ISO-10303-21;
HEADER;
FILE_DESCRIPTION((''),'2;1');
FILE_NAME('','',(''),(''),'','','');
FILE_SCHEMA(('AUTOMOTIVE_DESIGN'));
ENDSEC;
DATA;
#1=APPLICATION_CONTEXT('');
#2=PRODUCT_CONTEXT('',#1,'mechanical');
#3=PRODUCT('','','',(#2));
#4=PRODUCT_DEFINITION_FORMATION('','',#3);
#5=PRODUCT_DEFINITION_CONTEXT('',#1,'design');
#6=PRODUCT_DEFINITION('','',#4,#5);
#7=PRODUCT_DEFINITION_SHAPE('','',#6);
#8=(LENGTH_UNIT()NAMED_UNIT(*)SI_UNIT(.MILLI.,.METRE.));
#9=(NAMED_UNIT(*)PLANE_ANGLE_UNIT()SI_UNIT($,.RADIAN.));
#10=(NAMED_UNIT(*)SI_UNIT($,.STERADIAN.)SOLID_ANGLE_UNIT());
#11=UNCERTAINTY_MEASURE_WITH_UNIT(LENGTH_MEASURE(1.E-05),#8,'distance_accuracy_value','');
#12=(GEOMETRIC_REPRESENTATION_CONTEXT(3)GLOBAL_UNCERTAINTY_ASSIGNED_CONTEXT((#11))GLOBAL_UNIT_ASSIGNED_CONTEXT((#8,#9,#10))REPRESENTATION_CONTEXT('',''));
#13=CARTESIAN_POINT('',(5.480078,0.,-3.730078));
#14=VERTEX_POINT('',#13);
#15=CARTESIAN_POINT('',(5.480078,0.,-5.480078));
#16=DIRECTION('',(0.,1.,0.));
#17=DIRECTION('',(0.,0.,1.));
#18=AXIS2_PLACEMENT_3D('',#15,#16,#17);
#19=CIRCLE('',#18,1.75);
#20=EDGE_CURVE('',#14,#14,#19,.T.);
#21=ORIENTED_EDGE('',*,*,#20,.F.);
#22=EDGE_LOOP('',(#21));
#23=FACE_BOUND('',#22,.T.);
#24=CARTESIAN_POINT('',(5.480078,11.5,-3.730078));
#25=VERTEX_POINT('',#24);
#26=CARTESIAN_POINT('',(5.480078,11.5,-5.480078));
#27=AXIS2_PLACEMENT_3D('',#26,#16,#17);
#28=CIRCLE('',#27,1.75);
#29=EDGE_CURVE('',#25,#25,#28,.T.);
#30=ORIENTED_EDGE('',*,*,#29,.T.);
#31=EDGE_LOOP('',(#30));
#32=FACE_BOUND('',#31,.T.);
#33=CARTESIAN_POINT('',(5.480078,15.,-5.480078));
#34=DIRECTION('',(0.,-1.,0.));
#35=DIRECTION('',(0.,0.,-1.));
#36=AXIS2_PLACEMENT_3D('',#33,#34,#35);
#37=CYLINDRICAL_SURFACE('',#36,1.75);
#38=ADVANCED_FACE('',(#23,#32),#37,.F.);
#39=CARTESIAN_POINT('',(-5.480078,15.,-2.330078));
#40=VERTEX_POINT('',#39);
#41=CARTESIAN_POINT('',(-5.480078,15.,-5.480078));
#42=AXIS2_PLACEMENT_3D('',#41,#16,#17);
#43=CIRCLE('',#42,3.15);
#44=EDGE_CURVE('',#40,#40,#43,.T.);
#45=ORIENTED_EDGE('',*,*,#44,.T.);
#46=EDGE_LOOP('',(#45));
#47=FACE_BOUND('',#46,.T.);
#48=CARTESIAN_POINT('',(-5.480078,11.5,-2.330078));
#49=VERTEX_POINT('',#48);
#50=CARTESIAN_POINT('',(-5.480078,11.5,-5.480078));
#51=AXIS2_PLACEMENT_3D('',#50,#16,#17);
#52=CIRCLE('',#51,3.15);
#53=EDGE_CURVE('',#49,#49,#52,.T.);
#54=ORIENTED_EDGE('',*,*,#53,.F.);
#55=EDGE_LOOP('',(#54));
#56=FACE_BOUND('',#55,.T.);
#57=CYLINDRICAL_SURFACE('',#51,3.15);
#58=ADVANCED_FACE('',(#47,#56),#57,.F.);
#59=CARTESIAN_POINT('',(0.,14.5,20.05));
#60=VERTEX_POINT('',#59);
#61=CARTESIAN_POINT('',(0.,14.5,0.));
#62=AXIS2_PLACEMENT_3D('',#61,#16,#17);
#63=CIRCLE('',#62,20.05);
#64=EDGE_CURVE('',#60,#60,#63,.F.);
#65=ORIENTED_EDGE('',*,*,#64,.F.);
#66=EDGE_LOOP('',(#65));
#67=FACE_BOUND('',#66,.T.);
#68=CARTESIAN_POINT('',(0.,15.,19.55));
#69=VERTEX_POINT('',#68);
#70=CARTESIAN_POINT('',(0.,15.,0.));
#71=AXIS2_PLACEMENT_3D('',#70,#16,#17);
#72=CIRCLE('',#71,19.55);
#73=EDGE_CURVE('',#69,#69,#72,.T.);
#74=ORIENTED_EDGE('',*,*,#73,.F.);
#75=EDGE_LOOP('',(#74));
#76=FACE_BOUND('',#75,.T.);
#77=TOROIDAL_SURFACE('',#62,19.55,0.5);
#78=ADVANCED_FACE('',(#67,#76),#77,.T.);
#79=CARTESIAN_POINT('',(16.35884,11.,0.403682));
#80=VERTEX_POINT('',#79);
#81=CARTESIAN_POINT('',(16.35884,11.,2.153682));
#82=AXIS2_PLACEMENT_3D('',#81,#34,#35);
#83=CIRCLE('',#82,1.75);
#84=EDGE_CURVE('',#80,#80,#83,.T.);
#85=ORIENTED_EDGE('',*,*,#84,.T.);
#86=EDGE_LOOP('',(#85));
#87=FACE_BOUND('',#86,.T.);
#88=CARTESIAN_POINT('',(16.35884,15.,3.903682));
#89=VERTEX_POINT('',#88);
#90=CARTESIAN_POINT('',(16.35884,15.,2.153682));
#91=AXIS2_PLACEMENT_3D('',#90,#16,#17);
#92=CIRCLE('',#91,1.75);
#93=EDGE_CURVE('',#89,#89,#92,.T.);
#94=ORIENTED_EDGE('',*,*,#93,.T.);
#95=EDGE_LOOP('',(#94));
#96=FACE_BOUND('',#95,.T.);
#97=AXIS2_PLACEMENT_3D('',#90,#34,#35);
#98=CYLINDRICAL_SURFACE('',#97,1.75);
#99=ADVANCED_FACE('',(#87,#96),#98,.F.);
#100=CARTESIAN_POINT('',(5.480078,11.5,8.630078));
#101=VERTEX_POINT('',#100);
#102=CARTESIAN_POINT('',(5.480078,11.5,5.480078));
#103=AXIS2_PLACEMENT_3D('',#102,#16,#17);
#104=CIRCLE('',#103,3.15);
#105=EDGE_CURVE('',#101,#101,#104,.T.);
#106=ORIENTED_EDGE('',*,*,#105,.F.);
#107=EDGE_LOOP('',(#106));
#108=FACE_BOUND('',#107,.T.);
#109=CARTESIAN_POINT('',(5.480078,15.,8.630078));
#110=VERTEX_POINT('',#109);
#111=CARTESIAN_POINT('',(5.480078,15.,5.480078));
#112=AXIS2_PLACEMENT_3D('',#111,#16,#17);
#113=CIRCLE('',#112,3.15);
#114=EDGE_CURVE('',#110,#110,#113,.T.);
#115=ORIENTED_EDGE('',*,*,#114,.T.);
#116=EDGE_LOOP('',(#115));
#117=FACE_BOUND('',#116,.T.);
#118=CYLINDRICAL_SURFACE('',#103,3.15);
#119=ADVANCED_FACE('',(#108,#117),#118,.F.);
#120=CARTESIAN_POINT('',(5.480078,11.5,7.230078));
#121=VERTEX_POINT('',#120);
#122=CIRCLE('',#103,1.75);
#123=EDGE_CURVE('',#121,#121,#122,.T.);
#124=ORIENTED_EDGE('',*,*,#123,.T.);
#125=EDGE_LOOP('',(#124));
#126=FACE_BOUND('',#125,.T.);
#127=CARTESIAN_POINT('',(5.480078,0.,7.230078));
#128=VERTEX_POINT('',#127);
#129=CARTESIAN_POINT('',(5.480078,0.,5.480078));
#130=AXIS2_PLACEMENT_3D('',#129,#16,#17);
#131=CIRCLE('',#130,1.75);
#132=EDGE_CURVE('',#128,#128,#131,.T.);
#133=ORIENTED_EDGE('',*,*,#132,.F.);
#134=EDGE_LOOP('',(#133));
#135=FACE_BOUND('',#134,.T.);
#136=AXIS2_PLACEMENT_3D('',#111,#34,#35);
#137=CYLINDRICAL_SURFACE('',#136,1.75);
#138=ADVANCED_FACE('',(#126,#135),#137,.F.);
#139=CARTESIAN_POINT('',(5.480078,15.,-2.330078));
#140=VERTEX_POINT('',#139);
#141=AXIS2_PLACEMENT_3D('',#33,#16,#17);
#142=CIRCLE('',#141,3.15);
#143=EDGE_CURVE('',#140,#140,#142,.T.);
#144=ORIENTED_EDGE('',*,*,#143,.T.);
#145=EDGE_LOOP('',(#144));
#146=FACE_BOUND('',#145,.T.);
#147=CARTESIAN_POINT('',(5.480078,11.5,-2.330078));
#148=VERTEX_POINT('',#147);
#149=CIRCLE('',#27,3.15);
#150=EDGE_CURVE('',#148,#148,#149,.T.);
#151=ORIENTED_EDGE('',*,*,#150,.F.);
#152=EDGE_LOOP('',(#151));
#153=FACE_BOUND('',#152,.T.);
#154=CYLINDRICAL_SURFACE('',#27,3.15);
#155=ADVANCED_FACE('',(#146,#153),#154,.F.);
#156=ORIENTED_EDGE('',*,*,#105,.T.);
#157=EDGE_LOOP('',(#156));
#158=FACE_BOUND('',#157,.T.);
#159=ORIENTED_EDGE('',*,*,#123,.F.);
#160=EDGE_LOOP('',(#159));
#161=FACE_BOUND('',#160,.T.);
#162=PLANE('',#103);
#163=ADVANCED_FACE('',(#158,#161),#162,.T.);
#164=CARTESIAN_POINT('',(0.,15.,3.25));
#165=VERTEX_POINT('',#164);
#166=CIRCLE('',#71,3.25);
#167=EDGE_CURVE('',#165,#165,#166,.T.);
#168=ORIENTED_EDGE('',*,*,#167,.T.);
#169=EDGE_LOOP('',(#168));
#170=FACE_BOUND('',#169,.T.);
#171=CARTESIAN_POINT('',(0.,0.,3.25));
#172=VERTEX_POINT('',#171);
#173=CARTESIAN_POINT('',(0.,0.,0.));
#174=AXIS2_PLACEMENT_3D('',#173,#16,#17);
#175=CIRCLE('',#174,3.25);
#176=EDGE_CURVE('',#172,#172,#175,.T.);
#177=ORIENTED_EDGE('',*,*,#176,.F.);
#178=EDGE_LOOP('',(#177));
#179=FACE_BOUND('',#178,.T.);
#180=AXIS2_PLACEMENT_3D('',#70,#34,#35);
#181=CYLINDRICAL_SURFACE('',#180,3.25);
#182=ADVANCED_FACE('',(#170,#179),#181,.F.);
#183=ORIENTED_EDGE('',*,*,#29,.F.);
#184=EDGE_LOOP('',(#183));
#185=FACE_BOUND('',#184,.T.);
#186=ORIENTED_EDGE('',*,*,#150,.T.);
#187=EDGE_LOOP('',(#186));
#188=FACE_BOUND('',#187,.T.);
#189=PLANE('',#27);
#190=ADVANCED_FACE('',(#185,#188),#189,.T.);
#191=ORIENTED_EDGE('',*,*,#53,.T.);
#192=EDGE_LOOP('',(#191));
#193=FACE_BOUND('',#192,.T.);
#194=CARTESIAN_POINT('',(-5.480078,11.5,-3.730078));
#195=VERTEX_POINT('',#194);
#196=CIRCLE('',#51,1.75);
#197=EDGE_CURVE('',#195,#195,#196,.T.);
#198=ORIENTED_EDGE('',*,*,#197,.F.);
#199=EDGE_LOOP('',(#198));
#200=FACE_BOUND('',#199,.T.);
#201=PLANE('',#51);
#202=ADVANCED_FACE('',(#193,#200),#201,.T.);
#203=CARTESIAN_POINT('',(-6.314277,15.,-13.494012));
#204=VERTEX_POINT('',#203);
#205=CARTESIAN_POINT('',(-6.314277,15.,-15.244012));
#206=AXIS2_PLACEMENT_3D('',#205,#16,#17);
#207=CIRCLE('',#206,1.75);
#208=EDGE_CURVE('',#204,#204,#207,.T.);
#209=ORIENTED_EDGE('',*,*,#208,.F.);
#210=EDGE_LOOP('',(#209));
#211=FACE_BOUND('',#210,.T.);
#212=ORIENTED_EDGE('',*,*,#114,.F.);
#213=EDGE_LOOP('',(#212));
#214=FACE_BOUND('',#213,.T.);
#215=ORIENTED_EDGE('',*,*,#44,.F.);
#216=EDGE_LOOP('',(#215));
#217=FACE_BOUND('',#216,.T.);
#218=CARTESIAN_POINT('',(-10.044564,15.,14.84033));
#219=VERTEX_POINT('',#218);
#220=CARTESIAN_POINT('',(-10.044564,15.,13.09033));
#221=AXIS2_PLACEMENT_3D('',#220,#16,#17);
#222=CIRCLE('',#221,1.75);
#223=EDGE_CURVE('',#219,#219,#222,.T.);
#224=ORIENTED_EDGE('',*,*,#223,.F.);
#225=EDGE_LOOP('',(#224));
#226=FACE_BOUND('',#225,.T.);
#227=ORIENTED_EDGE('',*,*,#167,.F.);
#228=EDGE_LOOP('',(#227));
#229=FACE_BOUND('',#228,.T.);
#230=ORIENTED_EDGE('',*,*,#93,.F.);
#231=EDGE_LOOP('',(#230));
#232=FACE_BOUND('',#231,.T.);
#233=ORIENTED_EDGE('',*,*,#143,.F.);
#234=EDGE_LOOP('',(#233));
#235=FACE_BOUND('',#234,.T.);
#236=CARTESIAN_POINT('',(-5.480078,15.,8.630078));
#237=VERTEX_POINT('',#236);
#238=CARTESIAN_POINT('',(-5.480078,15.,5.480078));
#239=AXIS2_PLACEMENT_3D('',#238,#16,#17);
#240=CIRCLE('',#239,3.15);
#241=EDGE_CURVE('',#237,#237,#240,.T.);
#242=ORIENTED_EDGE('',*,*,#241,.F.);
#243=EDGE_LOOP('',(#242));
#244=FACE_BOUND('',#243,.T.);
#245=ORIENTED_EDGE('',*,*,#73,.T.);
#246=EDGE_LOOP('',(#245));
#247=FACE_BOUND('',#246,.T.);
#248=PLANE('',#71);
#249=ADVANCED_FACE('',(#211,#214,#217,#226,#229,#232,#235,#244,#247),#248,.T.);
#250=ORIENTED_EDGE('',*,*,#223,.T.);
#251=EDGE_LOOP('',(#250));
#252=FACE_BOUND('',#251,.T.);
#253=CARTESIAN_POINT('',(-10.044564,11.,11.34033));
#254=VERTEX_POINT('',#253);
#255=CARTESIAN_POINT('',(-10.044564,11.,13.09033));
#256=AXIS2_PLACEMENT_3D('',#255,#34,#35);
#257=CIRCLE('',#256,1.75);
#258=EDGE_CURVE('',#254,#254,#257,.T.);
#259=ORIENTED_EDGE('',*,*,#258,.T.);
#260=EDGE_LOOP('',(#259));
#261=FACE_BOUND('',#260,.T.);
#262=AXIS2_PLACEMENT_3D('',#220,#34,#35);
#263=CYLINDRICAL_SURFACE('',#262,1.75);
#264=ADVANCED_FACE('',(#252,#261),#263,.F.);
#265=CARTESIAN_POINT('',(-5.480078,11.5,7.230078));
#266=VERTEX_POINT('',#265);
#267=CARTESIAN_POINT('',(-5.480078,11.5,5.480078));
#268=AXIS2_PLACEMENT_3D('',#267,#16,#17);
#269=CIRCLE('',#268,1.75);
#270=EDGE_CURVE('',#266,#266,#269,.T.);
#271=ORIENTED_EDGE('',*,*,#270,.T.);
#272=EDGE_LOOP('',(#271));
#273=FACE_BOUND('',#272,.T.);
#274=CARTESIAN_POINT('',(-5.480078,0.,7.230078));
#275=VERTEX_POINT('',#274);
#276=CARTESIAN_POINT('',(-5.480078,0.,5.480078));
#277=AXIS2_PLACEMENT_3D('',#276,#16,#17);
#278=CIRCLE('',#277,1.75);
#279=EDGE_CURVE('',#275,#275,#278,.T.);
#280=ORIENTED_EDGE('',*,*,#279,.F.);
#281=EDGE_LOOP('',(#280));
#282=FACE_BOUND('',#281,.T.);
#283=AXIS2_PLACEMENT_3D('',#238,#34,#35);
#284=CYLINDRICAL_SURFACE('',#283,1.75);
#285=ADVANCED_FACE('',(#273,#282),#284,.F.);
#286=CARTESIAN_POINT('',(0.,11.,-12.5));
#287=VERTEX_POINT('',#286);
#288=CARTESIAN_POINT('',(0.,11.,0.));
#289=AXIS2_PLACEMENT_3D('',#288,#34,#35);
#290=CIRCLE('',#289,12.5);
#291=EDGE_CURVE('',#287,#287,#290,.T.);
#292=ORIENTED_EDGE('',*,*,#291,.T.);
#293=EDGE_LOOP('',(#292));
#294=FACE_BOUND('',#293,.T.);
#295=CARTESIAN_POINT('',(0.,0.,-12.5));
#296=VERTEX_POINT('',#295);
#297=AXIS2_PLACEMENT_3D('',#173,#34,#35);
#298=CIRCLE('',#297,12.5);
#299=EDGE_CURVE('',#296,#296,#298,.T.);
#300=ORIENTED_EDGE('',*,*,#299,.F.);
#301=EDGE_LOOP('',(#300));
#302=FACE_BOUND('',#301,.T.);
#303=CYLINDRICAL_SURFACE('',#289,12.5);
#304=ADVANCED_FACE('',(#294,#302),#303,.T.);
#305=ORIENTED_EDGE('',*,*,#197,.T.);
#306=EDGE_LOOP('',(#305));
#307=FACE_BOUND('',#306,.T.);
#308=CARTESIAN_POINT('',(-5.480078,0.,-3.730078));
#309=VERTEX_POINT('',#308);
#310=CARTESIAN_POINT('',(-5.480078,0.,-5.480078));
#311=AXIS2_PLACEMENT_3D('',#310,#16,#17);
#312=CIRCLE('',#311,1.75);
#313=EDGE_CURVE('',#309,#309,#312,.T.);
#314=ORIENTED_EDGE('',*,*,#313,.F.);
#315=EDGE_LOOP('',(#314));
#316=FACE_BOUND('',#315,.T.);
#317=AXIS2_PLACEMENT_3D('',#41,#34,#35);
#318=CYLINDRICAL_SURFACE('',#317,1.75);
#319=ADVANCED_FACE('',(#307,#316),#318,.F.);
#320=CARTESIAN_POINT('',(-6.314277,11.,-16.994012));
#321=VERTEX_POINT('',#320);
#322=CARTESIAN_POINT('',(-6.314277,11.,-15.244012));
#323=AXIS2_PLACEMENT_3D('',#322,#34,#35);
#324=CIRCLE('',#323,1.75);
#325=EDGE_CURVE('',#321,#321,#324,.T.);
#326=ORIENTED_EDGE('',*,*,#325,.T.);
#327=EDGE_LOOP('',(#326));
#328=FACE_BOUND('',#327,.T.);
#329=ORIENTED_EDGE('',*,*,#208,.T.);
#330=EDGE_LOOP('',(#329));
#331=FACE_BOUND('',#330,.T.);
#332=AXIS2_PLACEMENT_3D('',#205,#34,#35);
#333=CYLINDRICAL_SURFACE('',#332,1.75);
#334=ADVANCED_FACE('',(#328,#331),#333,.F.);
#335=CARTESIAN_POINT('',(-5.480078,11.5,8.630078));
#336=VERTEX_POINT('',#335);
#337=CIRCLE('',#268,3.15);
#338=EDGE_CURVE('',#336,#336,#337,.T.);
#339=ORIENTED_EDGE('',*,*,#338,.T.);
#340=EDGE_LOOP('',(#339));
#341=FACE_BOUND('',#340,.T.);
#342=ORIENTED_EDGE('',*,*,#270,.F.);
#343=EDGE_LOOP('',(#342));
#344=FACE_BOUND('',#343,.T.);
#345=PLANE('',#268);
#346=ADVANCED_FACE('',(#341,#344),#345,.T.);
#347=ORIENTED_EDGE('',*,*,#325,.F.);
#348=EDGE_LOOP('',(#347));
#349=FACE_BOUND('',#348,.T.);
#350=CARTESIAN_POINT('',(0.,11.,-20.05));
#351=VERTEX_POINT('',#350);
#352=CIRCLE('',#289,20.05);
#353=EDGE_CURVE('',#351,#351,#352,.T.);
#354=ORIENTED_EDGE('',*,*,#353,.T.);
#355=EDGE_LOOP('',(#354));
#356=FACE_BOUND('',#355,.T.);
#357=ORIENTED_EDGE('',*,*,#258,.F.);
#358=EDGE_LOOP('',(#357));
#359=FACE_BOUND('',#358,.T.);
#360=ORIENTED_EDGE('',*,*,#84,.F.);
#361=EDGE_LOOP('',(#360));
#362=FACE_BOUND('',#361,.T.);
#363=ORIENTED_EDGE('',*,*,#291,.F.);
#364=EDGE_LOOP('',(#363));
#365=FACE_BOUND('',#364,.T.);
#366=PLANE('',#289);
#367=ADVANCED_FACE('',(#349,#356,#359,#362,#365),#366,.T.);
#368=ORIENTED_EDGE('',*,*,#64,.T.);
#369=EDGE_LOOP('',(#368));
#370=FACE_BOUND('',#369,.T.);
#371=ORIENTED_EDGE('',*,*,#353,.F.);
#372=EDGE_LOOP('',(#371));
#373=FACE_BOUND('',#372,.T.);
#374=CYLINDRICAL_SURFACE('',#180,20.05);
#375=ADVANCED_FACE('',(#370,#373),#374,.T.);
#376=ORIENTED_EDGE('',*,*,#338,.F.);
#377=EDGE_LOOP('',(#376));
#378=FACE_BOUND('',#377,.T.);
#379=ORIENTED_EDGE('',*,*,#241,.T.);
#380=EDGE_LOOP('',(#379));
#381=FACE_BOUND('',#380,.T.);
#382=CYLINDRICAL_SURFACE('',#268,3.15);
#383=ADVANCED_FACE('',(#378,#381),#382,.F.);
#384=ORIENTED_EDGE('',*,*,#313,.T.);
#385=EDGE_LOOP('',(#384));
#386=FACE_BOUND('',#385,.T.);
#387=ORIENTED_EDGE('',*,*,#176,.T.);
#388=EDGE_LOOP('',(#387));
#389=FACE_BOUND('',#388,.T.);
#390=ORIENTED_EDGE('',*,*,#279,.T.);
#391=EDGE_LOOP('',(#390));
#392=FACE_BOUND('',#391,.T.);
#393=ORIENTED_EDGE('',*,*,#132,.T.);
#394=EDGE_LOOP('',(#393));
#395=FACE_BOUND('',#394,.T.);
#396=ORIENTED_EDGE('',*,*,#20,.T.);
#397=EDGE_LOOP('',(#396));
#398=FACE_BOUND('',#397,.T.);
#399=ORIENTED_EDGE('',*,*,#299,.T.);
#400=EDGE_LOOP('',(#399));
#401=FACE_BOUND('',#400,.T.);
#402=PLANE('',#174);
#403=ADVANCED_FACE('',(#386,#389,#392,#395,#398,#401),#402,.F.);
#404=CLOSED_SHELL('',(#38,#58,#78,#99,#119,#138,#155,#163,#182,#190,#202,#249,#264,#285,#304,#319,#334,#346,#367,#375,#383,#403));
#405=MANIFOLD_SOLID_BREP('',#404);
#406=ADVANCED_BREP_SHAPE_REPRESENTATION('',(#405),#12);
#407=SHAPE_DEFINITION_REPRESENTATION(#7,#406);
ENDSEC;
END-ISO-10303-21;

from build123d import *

# Parameters (mm, degrees)
SKETCH1_R      = 20.05
SKETCH1_R_2    = 3.25
SKETCH1_R_3    = 1.75
EXTRUDE1_DEPTH = 15
SKETCH7_R      = 3.15
EXTRUDE4_DEPTH = 3.5
SKETCH8_R      = 20.05
SKETCH8_R_2    = 12.5
EXTRUDE5_DEPTH = 11
FILLET_1_R     = 0.5


with BuildPart() as part:
    # Sketch1 → Extrude1 (new body)
    with BuildSketch(Plane(origin=(0, 0, 0), x_dir=(1, 0, 0), z_dir=(0, 1, 0))):
        Circle(SKETCH1_R)
        Circle(SKETCH1_R_2, mode=Mode.SUBTRACT)
        with Locations((5.480077554, 5.480077554)):
            Circle(SKETCH1_R_3, mode=Mode.SUBTRACT)
        with Locations((5.480077554, -5.480077554)):
            Circle(SKETCH1_R_3, mode=Mode.SUBTRACT)
        with Locations((-5.480077554, -5.480077554)):
            Circle(SKETCH1_R_3, mode=Mode.SUBTRACT)
        with Locations((-5.480077554, 5.480077554)):
            Circle(SKETCH1_R_3, mode=Mode.SUBTRACT)
        with Locations((-10.044563579, -13.090330115)):
            Circle(SKETCH1_R_3, mode=Mode.SUBTRACT)
        with Locations((-6.314276634, 15.244012286)):
            Circle(SKETCH1_R_3, mode=Mode.SUBTRACT)
        with Locations((16.358840213, -2.153682172)):
            Circle(SKETCH1_R_3, mode=Mode.SUBTRACT)
    extrude(amount=EXTRUDE1_DEPTH)

    # Sketch7 → Extrude4 (cut)
    with BuildSketch(Plane(origin=(0, 15, 0), x_dir=(1, 0, 0), z_dir=(0, 1, 0))):
        with Locations((-5.480077554, 5.480077554)):
            Circle(SKETCH7_R)
        with Locations((5.480077554, 5.480077554)):
            Circle(SKETCH7_R)
        with Locations((5.480077554, -5.480077554)):
            Circle(SKETCH7_R)
        with Locations((-5.480077554, -5.480077554)):
            Circle(SKETCH7_R)
    extrude(amount=-EXTRUDE4_DEPTH, mode=Mode.SUBTRACT)

    # Sketch8 → Extrude5 (cut)
    with BuildSketch(Plane.XZ):
        Circle(SKETCH8_R)
        Circle(SKETCH8_R_2, mode=Mode.SUBTRACT)
    extrude(amount=-EXTRUDE5_DEPTH, mode=Mode.SUBTRACT)

    # 圓角1
    fillet_1_edges = [part.edges().sort_by_distance(p)[0] for p in [
        (-20.05, 15, 0),
    ]]
    fillet(fillet_1_edges, radius=FILLET_1_R)


solid = part.part
